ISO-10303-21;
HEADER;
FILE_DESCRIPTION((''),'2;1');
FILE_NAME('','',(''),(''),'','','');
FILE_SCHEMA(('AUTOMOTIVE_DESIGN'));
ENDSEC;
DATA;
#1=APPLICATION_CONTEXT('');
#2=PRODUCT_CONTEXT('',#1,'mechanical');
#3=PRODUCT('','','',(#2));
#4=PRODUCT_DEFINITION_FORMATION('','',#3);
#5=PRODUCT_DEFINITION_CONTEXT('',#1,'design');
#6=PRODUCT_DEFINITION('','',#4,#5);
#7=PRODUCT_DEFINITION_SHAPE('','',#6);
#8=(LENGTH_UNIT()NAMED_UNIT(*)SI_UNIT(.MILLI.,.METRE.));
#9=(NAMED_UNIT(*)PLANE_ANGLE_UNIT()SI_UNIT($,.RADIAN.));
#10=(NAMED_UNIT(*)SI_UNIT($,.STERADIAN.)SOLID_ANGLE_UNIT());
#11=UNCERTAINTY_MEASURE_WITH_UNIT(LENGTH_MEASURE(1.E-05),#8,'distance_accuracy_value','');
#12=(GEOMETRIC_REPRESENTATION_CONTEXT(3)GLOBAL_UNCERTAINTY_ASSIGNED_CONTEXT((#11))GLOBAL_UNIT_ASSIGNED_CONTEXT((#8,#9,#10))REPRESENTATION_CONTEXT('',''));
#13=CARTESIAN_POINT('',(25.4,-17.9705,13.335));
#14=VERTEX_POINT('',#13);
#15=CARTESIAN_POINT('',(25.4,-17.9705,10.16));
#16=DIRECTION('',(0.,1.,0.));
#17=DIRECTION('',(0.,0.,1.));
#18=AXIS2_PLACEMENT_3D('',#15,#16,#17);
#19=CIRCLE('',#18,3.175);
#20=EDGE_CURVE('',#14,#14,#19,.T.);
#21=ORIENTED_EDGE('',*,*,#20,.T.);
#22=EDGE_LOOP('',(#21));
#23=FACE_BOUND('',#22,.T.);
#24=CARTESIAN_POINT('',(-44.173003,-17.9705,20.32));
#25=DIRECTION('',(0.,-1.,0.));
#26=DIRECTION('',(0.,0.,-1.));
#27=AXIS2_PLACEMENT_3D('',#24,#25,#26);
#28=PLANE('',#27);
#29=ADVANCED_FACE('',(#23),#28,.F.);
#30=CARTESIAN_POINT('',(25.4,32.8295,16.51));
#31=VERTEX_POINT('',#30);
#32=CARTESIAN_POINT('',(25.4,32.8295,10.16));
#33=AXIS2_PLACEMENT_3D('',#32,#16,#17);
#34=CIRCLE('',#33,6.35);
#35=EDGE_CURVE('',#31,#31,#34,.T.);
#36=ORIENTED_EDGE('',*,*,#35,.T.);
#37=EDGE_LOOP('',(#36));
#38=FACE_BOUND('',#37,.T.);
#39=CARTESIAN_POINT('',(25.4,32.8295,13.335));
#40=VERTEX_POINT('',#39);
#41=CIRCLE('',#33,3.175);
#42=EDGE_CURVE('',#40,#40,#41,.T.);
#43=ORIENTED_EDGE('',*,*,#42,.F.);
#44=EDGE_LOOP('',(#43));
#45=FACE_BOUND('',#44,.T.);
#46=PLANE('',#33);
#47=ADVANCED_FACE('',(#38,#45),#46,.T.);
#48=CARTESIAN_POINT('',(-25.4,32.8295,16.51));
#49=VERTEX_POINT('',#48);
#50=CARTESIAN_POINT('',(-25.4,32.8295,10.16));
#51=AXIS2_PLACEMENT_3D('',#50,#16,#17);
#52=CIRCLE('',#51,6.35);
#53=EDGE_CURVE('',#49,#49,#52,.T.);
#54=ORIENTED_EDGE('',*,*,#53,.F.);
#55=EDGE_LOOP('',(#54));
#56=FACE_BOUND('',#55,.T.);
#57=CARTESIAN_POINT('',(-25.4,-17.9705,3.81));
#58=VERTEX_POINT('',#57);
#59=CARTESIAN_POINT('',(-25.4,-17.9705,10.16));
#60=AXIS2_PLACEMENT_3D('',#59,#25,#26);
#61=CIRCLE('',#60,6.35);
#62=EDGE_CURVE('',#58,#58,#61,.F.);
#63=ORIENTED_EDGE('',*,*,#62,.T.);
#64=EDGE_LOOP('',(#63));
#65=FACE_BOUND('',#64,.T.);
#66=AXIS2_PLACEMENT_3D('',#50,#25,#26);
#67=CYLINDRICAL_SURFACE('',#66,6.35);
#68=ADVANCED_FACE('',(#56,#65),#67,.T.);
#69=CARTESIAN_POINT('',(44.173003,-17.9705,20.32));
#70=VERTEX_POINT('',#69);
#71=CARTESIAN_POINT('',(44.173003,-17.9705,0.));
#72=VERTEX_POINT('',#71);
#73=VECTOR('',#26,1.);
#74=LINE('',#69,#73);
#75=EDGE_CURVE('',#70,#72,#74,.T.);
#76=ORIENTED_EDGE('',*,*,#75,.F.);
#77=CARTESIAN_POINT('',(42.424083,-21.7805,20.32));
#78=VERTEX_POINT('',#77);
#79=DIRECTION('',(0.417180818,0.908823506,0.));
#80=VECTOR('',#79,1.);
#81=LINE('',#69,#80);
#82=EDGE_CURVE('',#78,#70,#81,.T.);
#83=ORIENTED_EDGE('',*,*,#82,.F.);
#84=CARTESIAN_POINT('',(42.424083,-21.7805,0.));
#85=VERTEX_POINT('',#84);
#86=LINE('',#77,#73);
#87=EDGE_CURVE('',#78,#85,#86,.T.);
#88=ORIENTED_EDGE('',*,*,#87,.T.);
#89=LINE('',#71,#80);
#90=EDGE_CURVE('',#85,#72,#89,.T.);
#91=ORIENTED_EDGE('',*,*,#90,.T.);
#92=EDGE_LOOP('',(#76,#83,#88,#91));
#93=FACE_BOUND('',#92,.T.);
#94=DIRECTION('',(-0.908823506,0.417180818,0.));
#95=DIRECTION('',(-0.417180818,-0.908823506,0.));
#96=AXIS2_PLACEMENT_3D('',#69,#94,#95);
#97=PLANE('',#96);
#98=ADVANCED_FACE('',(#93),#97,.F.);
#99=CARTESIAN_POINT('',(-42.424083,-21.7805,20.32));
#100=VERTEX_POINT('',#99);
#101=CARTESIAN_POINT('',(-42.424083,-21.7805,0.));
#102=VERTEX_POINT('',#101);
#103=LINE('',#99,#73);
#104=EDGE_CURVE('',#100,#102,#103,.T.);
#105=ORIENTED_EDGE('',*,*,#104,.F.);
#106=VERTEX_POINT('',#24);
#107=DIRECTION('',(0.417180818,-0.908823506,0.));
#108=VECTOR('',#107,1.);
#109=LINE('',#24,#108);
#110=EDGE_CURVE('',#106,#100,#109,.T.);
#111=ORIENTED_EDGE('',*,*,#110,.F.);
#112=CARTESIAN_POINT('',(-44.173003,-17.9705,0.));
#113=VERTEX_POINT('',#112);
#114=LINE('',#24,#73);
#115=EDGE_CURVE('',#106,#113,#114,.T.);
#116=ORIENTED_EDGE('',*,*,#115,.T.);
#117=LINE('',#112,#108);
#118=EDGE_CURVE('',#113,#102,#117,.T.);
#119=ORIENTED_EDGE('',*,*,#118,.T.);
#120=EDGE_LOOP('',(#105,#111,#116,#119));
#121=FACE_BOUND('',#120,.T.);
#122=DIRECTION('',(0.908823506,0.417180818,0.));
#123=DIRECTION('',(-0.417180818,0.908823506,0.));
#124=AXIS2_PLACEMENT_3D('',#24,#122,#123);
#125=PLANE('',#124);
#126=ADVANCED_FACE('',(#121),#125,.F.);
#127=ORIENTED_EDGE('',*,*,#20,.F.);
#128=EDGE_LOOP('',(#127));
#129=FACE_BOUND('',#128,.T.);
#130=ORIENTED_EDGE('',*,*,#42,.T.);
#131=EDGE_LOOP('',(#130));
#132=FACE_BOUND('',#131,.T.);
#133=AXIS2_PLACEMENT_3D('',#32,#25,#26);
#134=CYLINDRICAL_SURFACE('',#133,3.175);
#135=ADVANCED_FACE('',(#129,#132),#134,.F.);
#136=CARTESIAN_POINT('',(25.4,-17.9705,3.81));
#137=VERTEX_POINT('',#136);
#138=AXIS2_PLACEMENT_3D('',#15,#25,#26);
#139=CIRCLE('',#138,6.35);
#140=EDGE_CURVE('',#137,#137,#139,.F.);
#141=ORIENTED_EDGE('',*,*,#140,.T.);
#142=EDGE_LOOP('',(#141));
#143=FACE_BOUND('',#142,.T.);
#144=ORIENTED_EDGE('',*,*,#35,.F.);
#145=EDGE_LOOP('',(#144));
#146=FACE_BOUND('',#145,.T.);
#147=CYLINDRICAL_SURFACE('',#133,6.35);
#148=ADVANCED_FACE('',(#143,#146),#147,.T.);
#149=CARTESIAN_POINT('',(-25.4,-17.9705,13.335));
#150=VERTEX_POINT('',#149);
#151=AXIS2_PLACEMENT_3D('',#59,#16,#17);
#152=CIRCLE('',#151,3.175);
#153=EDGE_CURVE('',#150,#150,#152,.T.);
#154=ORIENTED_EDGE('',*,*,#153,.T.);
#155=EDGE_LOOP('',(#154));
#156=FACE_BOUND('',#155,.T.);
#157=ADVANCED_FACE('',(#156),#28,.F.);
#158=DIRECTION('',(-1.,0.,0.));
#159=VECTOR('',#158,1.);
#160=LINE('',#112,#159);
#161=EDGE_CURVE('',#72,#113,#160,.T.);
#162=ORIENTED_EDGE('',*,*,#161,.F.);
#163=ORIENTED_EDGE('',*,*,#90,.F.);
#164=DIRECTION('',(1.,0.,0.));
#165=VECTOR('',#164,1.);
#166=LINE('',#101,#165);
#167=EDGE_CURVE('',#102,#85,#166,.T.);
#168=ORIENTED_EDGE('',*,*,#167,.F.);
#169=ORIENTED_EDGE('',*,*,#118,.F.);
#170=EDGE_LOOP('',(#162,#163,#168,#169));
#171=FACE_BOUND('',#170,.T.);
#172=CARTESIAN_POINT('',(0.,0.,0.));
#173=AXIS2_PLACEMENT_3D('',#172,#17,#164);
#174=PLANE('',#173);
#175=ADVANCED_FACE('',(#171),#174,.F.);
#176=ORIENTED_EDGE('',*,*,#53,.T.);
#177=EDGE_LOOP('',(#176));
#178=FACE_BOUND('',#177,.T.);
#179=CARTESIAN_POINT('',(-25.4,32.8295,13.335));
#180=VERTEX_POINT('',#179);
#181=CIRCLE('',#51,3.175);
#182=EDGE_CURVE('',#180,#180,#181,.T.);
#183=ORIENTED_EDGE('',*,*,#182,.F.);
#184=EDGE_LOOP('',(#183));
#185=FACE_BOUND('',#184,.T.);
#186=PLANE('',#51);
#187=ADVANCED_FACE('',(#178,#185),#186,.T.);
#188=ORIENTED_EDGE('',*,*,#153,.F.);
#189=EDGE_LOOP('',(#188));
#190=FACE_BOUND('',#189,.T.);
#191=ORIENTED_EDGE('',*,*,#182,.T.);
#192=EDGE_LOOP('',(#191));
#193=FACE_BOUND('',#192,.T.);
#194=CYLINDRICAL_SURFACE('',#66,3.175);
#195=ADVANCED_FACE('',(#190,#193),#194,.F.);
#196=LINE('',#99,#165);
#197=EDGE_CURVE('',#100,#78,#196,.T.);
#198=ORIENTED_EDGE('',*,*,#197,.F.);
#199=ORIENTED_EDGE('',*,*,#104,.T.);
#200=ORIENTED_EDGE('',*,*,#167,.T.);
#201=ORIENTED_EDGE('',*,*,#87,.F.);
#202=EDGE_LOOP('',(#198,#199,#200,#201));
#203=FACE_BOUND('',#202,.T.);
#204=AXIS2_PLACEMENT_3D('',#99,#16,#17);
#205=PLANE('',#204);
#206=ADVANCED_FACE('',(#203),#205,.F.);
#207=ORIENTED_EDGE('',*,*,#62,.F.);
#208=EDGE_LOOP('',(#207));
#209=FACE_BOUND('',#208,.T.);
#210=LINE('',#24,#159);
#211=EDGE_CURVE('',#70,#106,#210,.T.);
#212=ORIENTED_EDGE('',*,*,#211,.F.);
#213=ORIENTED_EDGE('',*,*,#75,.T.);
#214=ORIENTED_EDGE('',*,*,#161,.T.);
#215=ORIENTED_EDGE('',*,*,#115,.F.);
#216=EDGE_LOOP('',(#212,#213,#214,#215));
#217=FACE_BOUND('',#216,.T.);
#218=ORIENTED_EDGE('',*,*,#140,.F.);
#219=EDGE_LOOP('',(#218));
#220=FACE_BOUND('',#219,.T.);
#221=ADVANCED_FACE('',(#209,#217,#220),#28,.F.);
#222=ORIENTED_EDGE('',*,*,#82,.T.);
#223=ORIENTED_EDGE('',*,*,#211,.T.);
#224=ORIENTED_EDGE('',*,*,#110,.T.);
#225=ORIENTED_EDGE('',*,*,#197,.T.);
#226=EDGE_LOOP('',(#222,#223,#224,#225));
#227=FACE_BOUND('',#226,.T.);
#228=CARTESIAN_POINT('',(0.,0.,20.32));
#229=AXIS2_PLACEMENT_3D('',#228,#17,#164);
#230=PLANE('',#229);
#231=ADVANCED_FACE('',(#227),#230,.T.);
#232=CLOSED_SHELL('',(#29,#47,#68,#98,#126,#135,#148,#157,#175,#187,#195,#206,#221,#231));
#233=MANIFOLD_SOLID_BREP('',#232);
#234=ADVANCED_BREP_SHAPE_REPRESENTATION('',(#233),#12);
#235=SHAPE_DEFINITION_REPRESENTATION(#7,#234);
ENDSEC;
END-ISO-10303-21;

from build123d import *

# Parameters (mm, degrees)
BOSS_EXTRUDE1_DEPTH = 20.32
SKETCH2_R           = 6.35
SKETCH2_R_2         = 3.175
BOSS_EXTRUDE2_DEPTH = 50.8


with BuildPart() as part:
    # Sketch1 → Boss-Extrude1 (new body)
    with BuildSketch(Plane.XY):
        Polygon((-44.173002637, -17.9705), (44.173002637, -17.9705), (42.424083396, -21.7805), (-42.424083396, -21.7805), align=None)
    extrude(amount=BOSS_EXTRUDE1_DEPTH)

    # Sketch2 → Boss-Extrude2 (add)
    # profile 1 of 2: a face of its own
    with BuildSketch(Plane(origin=(0, -17.9705, 0), x_dir=(1, 0, 0), z_dir=(0, 1, 0))):
        with Locations(Location((-25.4, -10.16, 0), (0, 0, 90))):
            Circle(SKETCH2_R)
        with Locations(Location((-25.4, -10.16, 0), (0, 0, 270))):
            Circle(SKETCH2_R_2, mode=Mode.SUBTRACT)
    # profile 2 of 2: a face of its own
    with BuildSketch(Plane(origin=(0, -17.9705, 0), x_dir=(1, 0, 0), z_dir=(0, 1, 0))):
        with Locations(Location((25.4, -10.16, 0), (0, 0, 90))):
            Circle(SKETCH2_R)
        with Locations(Location((25.4, -10.16, 0), (0, 0, 270))):
            Circle(SKETCH2_R_2, mode=Mode.SUBTRACT)
    extrude(amount=BOSS_EXTRUDE2_DEPTH)


solid = part.part
